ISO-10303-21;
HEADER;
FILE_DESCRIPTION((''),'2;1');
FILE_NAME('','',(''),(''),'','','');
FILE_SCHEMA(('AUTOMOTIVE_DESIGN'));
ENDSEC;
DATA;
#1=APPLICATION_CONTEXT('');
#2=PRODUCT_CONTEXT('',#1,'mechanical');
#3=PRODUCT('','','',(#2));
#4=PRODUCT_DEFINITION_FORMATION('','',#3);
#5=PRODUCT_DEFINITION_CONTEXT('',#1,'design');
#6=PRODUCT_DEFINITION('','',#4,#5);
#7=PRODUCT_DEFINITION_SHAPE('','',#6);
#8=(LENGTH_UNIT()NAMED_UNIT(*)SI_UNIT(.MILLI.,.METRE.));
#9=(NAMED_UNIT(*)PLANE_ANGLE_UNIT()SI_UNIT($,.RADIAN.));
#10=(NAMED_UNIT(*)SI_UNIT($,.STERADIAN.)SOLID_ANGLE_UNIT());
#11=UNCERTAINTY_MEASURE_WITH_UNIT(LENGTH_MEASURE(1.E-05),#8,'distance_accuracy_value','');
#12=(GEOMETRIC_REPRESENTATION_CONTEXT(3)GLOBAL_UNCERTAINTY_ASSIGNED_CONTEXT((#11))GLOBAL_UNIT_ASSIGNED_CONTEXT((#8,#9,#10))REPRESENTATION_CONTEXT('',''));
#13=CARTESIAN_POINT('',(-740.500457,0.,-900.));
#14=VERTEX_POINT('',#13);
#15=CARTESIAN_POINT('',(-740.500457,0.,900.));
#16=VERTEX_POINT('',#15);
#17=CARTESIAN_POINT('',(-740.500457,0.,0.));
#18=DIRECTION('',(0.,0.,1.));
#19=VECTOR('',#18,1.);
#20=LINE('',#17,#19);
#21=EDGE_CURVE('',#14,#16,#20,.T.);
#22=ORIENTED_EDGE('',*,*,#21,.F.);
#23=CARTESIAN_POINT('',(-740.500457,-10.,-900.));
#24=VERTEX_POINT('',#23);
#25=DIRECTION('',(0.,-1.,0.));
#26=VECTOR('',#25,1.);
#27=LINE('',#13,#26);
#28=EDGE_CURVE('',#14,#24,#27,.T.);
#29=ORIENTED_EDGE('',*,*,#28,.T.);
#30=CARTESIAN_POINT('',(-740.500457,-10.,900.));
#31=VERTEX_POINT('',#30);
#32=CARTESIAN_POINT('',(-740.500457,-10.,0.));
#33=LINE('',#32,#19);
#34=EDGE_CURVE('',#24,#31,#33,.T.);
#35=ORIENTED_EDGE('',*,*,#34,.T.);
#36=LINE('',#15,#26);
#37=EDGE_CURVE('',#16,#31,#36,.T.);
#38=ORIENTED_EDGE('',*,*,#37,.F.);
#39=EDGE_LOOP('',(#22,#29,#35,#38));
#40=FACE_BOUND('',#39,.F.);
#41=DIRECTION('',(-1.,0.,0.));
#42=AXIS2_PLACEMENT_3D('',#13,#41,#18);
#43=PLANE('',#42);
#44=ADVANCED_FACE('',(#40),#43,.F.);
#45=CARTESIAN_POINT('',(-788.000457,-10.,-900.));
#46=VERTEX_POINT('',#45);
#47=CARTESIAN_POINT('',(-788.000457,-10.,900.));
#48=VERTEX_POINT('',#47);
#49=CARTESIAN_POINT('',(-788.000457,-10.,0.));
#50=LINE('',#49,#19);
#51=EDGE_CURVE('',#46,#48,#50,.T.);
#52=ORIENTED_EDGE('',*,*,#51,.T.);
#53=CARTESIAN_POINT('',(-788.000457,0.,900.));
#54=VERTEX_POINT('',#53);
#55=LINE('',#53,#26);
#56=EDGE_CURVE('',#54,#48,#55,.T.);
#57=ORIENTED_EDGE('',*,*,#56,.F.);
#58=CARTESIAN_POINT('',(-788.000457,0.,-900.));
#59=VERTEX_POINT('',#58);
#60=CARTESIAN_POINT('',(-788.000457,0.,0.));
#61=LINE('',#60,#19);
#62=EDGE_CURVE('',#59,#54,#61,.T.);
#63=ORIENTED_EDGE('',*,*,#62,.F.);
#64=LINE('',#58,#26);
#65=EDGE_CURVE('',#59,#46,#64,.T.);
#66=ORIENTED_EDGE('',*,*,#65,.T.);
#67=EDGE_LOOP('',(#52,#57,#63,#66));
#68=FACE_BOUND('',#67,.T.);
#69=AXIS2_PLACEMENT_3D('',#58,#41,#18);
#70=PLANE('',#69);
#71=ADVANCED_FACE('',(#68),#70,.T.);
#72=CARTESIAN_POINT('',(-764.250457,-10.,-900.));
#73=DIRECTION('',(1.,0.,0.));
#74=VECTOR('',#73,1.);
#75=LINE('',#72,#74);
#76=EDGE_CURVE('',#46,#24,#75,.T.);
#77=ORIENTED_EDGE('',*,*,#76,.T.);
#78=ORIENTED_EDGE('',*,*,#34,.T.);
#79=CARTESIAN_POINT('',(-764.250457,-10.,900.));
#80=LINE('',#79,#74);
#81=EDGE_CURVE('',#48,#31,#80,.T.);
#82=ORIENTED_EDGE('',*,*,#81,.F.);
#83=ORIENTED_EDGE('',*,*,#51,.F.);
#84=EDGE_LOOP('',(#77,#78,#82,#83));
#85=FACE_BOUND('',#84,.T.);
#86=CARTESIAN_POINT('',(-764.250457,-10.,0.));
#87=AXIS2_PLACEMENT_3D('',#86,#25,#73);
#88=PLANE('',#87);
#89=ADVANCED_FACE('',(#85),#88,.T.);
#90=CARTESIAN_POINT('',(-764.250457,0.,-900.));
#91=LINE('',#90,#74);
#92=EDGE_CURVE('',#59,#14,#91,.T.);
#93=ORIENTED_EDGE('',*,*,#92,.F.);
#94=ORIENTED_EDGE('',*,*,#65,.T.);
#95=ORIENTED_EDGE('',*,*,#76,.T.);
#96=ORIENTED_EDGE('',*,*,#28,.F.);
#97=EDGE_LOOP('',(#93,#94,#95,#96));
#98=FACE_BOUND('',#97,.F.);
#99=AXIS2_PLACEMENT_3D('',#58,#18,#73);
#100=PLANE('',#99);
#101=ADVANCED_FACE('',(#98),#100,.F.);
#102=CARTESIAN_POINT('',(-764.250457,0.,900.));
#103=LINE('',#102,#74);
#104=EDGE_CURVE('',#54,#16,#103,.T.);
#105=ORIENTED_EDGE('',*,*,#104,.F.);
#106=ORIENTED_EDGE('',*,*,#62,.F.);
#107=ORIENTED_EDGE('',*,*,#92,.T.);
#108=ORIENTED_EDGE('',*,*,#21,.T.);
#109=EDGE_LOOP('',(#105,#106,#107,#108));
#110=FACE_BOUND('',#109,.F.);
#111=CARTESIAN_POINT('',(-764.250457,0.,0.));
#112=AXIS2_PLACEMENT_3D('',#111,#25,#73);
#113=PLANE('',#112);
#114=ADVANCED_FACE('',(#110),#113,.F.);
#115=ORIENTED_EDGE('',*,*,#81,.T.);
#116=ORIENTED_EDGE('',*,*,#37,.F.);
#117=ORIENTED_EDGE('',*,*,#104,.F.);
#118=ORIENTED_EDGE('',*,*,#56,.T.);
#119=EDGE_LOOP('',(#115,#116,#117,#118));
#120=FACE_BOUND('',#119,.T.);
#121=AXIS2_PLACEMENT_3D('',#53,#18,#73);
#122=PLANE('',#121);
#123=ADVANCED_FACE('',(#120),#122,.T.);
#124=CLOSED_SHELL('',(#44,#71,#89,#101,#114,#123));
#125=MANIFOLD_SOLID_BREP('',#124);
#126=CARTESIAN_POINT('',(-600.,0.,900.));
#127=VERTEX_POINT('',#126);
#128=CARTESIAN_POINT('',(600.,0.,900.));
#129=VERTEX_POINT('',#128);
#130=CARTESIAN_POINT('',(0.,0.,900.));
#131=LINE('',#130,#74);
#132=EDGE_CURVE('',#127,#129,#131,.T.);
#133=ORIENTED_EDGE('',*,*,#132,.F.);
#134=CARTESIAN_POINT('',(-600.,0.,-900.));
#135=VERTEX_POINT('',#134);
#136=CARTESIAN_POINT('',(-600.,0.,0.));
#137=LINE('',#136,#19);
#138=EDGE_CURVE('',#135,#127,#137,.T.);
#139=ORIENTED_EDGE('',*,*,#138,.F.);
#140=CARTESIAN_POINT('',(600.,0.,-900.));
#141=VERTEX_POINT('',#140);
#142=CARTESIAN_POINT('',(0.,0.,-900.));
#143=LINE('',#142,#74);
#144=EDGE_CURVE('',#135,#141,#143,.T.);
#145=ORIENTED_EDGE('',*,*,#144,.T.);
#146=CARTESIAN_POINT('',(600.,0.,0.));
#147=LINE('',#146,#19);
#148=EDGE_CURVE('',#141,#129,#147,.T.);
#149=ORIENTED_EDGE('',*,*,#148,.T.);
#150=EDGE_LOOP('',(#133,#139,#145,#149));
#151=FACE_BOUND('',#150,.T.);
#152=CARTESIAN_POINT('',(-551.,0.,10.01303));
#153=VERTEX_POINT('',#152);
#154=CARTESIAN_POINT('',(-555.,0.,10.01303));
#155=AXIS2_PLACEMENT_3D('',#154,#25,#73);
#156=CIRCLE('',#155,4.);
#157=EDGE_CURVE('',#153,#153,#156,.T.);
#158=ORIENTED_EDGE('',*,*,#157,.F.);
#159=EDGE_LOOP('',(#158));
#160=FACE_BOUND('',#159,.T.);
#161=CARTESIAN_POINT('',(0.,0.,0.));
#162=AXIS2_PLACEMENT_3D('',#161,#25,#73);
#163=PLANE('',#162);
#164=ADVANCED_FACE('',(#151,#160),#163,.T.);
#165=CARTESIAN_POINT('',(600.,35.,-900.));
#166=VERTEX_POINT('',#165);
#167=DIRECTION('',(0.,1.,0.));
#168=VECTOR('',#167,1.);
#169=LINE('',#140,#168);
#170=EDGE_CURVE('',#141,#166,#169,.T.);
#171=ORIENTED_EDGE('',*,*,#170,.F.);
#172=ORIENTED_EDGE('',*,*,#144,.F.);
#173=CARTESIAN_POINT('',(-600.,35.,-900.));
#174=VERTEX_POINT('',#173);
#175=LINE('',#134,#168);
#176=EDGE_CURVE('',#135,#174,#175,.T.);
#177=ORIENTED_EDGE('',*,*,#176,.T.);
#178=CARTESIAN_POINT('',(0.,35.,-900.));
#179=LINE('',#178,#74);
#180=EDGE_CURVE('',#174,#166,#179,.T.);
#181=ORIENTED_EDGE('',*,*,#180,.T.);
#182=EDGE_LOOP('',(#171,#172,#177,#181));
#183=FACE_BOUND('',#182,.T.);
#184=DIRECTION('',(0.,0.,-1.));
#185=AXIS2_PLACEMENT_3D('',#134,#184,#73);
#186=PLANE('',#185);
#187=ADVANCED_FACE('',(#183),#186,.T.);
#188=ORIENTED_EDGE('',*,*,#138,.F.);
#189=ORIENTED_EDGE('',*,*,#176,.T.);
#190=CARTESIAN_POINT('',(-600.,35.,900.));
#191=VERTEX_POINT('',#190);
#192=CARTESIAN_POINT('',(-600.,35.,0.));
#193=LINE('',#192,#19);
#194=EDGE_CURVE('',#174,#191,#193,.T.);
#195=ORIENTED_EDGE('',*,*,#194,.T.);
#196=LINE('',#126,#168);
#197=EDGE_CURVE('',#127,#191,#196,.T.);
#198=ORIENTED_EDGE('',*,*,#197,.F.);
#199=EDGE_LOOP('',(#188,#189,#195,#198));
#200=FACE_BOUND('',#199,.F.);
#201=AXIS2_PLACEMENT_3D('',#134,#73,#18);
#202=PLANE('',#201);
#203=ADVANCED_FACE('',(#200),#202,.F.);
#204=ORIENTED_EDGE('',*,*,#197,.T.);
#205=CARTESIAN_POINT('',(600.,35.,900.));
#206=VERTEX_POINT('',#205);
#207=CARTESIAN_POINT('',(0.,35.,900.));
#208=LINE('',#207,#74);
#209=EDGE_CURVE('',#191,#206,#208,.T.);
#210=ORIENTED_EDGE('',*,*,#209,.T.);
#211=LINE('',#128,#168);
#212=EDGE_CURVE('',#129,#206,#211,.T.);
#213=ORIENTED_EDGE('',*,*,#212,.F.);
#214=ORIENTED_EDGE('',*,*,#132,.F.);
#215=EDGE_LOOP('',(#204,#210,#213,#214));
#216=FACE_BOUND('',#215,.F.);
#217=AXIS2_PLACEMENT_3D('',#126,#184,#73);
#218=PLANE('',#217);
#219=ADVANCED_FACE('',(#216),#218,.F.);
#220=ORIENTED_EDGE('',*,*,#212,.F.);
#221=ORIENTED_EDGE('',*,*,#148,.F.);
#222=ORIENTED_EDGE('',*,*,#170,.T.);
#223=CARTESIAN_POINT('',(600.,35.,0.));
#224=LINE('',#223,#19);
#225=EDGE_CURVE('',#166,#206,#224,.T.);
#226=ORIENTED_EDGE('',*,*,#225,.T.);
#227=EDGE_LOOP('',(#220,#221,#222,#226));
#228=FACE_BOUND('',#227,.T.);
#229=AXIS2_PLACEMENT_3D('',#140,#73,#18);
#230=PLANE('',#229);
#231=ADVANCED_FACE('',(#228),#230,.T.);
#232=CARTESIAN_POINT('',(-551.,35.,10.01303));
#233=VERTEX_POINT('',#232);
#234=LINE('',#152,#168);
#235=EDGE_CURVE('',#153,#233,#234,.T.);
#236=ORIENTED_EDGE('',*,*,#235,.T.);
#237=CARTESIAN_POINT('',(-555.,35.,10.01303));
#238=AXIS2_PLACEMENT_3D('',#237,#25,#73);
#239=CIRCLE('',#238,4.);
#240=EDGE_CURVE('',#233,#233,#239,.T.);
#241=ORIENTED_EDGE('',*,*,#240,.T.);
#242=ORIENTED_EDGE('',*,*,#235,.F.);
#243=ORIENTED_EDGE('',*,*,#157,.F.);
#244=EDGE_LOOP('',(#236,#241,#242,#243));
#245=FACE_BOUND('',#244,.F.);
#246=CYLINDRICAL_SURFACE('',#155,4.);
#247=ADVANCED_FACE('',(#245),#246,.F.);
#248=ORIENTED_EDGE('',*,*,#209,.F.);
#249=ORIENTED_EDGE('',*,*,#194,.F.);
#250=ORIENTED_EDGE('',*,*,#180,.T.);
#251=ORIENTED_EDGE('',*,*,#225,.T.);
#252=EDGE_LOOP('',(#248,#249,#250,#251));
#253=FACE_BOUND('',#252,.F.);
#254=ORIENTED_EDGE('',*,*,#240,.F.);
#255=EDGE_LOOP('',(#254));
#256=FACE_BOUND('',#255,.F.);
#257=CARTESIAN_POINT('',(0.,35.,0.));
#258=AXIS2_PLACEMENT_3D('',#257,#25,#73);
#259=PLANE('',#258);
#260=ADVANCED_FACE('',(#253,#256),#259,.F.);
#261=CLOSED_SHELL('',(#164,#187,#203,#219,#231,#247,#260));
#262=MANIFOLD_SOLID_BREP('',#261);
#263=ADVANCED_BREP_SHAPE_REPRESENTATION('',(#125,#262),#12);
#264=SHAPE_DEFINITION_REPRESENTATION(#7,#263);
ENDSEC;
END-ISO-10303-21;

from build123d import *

# Parameters (mm, degrees)
F0_W     = 1200
F0_H     = 1800
F1_DEPTH = 35
F2_R     = 4
F3_DEPTH = 35.001
F4_W     = 47.5
F4_H     = 1800
F5_DEPTH = 10


with BuildPart() as f1:
    # F0 (on Front) → F1 (new body)
    with BuildSketch(Plane.XZ):
        Rectangle(F0_W, F0_H)
    extrude(amount=-F1_DEPTH)

    # F2 (on face) → F3 (cut, through all)
    with BuildSketch(Plane.XZ):
        with Locations((-555, 10.01303)):
            Circle(F2_R)
    extrude(amount=-F3_DEPTH, mode=Mode.SUBTRACT)


with BuildPart() as f5:
    # F4 (on Front) → F5 (new body)
    with BuildSketch(Plane.XZ):
        with Locations((-764.250457, 0)):
            Rectangle(F4_W, F4_H)
    extrude(amount=F5_DEPTH)


solid = Compound([f1.part, f5.part])
